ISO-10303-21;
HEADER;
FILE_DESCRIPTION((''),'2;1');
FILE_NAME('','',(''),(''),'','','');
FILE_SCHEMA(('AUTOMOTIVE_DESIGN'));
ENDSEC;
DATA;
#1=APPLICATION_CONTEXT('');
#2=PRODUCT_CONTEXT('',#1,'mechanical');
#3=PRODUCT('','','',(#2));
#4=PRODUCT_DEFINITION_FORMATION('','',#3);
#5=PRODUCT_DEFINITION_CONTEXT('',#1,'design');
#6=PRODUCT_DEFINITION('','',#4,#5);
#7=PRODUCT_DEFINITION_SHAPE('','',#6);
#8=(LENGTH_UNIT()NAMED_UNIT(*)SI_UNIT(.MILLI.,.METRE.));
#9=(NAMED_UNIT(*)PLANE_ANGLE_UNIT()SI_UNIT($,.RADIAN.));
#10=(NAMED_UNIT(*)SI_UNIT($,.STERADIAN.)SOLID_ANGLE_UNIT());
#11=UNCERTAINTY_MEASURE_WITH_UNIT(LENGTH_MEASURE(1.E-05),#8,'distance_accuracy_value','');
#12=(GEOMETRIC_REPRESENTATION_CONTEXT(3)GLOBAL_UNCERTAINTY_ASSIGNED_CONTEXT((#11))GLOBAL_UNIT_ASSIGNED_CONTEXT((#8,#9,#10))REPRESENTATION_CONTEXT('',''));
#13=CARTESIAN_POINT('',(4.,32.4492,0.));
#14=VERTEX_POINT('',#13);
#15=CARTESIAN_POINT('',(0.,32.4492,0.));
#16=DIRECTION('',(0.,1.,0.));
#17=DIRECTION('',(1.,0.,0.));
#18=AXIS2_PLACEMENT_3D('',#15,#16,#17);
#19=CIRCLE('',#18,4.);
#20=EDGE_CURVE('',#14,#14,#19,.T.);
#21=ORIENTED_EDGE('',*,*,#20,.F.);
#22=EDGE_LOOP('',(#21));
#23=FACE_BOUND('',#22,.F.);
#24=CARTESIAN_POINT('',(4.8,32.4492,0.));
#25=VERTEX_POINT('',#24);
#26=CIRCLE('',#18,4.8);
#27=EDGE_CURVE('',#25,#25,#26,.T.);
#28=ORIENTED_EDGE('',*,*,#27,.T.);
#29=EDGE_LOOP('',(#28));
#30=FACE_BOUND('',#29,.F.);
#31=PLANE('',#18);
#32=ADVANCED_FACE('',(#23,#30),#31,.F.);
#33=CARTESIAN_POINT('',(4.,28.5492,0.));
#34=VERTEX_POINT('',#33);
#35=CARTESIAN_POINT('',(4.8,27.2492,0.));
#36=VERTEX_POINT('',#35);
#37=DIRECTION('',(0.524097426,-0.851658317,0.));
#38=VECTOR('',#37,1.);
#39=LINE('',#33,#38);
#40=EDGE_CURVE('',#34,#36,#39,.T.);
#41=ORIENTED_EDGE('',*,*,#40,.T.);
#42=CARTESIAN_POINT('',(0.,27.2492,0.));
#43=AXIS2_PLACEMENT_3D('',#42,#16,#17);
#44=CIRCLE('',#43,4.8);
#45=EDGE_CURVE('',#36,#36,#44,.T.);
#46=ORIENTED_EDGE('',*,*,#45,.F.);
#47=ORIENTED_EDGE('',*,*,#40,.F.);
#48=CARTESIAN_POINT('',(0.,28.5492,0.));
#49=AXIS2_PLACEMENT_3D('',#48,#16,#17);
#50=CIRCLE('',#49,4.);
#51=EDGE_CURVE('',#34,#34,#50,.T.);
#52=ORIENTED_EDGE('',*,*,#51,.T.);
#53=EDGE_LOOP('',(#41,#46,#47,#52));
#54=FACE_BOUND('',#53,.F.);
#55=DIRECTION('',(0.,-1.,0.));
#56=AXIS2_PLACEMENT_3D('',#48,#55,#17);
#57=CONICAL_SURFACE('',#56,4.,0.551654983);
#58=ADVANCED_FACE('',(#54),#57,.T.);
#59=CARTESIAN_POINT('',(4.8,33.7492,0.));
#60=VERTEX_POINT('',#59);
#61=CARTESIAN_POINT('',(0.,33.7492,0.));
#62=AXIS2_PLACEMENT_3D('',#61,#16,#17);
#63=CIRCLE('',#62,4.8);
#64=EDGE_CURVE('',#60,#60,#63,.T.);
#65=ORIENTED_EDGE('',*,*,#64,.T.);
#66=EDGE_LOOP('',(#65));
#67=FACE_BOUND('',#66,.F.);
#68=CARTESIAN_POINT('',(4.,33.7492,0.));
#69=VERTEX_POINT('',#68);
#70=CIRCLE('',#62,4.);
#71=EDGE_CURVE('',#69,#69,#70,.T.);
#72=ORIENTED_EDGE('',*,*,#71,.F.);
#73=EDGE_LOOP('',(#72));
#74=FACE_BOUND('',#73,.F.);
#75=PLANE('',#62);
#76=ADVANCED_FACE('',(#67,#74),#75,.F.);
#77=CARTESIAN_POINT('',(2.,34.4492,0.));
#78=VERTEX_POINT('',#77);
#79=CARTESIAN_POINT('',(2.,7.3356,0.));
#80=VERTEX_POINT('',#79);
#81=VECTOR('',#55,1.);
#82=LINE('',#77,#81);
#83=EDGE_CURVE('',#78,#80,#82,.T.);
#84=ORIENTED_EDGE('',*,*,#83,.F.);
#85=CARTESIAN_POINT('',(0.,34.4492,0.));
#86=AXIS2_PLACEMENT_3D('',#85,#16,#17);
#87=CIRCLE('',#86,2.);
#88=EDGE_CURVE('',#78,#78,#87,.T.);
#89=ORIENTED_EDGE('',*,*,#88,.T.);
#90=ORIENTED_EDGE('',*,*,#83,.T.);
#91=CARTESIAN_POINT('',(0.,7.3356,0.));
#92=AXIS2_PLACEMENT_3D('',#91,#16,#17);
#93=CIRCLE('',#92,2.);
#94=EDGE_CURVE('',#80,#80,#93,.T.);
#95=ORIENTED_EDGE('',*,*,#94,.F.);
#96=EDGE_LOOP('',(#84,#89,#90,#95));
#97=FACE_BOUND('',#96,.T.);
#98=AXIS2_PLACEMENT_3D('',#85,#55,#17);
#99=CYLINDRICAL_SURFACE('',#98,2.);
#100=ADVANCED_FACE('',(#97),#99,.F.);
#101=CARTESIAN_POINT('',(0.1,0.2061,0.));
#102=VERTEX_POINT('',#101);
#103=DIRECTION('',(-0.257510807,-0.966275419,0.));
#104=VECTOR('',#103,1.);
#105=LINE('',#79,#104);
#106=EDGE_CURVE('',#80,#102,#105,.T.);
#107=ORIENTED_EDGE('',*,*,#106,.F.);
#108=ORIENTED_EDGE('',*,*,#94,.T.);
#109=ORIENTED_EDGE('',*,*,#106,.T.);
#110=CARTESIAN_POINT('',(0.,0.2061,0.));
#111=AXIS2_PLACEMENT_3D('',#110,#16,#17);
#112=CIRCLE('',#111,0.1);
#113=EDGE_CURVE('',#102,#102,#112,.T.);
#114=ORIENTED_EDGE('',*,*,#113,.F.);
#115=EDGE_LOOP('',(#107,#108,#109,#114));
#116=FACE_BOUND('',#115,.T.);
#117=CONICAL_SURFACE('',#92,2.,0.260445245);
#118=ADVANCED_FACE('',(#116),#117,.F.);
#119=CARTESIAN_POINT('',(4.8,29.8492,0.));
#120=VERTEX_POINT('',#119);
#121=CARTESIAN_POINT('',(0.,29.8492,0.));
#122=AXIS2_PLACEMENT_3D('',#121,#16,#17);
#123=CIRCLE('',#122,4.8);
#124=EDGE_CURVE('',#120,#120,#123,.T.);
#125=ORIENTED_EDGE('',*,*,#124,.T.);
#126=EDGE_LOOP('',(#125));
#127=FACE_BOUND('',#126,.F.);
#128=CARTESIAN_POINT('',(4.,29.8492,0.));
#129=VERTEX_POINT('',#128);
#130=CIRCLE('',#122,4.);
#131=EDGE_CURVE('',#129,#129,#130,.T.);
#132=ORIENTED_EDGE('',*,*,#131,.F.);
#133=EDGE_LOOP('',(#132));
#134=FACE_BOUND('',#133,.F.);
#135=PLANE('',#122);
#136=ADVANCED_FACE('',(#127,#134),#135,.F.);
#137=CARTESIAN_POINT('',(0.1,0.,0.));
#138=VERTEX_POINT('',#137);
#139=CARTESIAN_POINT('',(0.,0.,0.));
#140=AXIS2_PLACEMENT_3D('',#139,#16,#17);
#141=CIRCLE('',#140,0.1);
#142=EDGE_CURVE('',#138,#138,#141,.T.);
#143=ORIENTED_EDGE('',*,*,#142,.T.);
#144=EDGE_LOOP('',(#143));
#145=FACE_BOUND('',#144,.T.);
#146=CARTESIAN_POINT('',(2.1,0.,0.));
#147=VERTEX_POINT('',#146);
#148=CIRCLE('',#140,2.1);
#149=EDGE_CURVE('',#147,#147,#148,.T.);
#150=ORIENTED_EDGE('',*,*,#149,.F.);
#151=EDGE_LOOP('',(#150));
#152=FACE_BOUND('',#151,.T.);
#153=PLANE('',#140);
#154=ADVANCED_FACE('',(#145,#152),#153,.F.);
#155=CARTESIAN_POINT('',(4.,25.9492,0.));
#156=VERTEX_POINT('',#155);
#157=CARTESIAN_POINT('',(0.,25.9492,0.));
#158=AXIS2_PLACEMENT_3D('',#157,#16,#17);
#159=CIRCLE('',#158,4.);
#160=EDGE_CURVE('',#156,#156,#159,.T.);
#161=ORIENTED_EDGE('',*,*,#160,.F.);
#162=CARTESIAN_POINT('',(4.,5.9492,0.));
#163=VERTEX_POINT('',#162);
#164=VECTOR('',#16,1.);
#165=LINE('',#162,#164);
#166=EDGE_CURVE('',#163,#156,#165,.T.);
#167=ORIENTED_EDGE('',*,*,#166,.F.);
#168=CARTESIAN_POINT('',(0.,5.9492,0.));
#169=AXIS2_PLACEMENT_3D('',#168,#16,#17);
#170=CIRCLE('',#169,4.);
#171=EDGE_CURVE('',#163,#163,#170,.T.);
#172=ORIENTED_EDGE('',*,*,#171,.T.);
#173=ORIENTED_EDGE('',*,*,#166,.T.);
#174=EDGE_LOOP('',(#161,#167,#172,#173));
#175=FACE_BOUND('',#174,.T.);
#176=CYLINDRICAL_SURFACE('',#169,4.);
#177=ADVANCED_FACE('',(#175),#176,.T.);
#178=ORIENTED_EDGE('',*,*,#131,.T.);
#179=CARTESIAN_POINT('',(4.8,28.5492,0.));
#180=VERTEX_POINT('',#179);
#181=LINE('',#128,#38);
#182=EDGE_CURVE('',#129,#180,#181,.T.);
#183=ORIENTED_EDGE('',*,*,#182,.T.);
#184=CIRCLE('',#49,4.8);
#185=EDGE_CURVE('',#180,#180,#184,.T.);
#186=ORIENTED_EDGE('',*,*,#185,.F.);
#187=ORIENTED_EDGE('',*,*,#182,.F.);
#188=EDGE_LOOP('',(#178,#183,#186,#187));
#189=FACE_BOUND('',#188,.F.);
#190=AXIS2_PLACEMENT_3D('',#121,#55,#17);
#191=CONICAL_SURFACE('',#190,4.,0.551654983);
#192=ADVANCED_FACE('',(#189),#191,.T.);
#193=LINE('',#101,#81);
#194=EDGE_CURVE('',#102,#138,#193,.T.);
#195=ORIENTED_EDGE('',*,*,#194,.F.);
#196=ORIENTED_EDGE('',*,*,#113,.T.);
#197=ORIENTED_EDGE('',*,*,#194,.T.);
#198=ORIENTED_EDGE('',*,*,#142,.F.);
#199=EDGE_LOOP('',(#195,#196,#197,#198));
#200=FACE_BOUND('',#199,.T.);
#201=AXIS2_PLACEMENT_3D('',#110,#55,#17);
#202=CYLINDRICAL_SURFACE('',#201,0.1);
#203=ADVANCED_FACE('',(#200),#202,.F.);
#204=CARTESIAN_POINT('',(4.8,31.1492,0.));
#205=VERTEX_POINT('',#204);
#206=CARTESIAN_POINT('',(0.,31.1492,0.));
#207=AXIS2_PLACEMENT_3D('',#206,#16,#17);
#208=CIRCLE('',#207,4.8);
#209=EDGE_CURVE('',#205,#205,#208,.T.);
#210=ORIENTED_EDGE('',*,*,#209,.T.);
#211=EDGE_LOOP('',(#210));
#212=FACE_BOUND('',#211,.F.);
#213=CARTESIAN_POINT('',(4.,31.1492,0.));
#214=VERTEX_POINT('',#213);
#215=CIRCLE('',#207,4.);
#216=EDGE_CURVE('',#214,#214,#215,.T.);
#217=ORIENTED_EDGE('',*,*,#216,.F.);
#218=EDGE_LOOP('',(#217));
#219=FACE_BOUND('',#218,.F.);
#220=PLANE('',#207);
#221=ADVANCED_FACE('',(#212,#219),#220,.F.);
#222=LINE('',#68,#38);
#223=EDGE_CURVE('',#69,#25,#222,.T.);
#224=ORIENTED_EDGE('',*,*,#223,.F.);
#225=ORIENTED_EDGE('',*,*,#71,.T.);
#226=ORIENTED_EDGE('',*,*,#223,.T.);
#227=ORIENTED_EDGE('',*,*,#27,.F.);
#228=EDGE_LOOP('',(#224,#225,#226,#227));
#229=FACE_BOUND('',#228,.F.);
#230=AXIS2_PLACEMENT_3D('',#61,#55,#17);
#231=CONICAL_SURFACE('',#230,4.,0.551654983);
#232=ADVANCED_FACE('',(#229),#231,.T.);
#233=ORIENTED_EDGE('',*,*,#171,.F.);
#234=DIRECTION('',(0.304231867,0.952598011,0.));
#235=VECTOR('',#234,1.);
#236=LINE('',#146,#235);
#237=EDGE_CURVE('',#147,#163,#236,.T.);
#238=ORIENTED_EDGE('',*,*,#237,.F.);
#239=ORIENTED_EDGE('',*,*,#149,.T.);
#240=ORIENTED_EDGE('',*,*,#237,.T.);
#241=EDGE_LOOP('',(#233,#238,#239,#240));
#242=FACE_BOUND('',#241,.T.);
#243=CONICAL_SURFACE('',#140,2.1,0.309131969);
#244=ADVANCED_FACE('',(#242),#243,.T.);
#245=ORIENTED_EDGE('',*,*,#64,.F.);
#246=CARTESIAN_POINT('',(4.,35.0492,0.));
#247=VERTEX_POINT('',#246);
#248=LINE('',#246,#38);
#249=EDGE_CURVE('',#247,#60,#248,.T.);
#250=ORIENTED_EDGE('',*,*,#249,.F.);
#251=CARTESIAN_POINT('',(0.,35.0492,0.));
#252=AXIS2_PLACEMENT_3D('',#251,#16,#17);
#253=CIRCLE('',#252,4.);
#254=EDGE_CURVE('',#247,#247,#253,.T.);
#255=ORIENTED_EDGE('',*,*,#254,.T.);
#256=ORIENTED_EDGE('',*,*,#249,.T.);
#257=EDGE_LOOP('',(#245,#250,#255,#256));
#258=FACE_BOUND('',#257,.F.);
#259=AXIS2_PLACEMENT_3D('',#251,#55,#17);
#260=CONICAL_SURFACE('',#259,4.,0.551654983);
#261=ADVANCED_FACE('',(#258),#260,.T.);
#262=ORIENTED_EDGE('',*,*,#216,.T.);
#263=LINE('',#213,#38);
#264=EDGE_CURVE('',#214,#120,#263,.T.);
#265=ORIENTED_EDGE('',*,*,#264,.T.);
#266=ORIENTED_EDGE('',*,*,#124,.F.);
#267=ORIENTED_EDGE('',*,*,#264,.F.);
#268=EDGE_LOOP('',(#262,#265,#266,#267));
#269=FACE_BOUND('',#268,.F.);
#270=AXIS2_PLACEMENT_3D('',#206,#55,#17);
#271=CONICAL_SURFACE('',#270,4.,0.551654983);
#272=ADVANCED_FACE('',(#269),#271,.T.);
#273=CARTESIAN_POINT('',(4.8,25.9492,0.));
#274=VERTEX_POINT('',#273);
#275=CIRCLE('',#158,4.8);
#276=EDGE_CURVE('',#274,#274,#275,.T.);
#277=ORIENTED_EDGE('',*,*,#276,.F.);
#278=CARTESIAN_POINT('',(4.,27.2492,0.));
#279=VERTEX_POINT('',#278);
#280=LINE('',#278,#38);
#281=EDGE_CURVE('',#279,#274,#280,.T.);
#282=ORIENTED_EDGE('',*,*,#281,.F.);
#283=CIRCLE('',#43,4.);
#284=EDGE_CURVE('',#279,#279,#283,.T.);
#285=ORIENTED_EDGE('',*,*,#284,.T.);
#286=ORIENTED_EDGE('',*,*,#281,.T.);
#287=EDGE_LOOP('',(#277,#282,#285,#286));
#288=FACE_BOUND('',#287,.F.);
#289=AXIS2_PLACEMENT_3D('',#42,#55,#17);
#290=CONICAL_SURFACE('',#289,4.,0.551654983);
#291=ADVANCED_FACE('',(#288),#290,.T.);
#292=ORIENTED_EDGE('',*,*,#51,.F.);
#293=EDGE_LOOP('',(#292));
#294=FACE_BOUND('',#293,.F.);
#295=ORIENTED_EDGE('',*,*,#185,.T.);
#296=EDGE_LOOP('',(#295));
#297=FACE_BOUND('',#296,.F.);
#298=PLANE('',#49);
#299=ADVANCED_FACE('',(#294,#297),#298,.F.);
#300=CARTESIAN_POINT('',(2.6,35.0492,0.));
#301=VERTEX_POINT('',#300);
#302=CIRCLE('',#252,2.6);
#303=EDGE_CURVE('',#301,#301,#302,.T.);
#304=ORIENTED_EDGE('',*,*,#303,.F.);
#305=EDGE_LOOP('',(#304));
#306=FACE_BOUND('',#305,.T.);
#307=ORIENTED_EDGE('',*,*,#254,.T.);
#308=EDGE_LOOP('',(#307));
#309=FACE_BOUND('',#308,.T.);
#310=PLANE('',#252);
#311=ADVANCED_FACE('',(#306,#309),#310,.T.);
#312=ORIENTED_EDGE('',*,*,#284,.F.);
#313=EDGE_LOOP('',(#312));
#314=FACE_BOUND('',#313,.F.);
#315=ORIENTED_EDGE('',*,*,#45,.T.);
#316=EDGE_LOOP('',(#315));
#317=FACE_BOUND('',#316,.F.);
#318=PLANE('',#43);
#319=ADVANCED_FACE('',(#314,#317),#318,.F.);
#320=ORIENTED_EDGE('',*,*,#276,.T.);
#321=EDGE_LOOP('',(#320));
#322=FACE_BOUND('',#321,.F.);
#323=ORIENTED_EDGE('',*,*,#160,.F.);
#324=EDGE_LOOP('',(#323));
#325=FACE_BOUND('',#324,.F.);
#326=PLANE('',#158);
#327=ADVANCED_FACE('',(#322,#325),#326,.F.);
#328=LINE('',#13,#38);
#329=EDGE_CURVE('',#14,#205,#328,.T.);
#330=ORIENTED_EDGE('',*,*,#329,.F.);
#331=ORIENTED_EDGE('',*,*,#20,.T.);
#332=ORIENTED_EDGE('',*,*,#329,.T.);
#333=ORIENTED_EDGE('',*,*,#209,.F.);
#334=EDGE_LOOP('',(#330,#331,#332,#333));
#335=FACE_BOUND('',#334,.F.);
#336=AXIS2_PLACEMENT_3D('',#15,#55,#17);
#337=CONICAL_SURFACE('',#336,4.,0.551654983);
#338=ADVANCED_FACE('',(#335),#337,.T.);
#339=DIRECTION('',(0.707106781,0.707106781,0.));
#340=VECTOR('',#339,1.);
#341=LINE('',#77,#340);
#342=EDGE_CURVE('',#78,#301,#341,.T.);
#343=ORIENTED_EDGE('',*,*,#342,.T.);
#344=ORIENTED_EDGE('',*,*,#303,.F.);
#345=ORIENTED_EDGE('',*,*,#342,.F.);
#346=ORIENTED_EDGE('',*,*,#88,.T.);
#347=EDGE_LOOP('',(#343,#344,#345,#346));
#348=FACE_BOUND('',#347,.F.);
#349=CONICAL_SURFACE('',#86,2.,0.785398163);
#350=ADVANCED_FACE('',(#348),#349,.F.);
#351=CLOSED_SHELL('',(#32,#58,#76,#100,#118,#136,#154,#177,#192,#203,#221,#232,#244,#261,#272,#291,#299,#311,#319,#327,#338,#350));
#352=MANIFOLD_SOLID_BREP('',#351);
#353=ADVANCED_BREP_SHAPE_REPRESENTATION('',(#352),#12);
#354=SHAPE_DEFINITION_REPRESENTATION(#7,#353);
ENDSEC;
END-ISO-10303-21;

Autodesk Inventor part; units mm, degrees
ref_plane "YZ Plane" through (0, 0, 0) normal (1, 0, 0) x (0, 1, 0)
ref_plane "XZ Plane" through (0, 0, 0) normal (0, 1, 0) x (-1, 0, 0)
ref_plane "XY Plane" through (0, 0, 0) normal (0, 0, 1) x (1, 0, 0)
sketch "Sketch1" plane through (0, 0, 0) normal (0, 0, 1) x (1, 0, 0)
  line L0 (4, 5.9492) -> (4, 35.0492)
  line L1 (0, 0) -> (0, 32.7561)
  line L2 (4, 35.0492) -> (0, 35.0492) construction
  line L3 (4, 35.0492) -> (2.6, 35.0492)
  line L4 (2, 34.4492) -> (2, 7.3356)
  line L5 (2, 7.3356) -> (0.1, 0.2061)
  line L6 (0.1, 0.2061) -> (0.1, 0)
  line L7 (4, 35.0492) -> (4.8, 33.7492)
  line L8 (4.8, 33.7492) -> (4, 33.7492)
  line L9 (4, 33.7492) -> (4.8, 32.4492)
  line L10 (4.8, 32.4492) -> (4, 32.4492)
  line L11 (4, 32.4492) -> (4.8, 31.1492)
  line L12 (4.8, 31.1492) -> (4, 31.1492)
  line L13 (4, 31.1492) -> (4.8, 29.8492)
  line L14 (4.8, 29.8492) -> (4, 29.8492)
  line L15 (4, 29.8492) -> (4.8, 28.5492)
  line L16 (4.8, 28.5492) -> (4, 28.5492)
  line L17 (0, 0) -> (22.3687, 0) construction
  line L18 (0.1, 0) -> (2.1, 0)
  line L19 (2.1, 0) -> (4, 5.9492)
  line L20 (2, 34.4492) -> (2.6, 35.0492)
  line L21 (4.8, 27.2492) -> (4, 27.2492)
  line L22 (4, 28.5492) -> (4.8, 27.2492)
  line L23 (4.8, 25.9492) -> (4, 25.9492)
  line L24 (4, 27.2492) -> (4.8, 25.9492)
  point P0 (2, 35.0492)
  point P1 (22.3687, -1.3)
  point P2 (22.3687, -2.6)
  dimension "d3" = 0.2
  dimension "d4" = 2
  dimension "d7" = 1.3
  dimension "d12" = 1.3
  dimension "d13" = 0
  dimension "d14" = 0.8
  dimension "d17" = 8
  dimension "d19" = 0.6
  dimension "d20" = 0.6
  dimension "d24" = 1.3
  dimension "d29" = 20
  dimension "d30" = 2
revolve "Revolution1" add sketch "Sketch1" angle 360 about axis through (0, 0, 0) along (0, 1, 0)
equation "\"d7\" = d12"
equation "\"d20\" = d19"
equation "\"d24\" = d7"
properties part number "nozzle_with_hose_barb"
